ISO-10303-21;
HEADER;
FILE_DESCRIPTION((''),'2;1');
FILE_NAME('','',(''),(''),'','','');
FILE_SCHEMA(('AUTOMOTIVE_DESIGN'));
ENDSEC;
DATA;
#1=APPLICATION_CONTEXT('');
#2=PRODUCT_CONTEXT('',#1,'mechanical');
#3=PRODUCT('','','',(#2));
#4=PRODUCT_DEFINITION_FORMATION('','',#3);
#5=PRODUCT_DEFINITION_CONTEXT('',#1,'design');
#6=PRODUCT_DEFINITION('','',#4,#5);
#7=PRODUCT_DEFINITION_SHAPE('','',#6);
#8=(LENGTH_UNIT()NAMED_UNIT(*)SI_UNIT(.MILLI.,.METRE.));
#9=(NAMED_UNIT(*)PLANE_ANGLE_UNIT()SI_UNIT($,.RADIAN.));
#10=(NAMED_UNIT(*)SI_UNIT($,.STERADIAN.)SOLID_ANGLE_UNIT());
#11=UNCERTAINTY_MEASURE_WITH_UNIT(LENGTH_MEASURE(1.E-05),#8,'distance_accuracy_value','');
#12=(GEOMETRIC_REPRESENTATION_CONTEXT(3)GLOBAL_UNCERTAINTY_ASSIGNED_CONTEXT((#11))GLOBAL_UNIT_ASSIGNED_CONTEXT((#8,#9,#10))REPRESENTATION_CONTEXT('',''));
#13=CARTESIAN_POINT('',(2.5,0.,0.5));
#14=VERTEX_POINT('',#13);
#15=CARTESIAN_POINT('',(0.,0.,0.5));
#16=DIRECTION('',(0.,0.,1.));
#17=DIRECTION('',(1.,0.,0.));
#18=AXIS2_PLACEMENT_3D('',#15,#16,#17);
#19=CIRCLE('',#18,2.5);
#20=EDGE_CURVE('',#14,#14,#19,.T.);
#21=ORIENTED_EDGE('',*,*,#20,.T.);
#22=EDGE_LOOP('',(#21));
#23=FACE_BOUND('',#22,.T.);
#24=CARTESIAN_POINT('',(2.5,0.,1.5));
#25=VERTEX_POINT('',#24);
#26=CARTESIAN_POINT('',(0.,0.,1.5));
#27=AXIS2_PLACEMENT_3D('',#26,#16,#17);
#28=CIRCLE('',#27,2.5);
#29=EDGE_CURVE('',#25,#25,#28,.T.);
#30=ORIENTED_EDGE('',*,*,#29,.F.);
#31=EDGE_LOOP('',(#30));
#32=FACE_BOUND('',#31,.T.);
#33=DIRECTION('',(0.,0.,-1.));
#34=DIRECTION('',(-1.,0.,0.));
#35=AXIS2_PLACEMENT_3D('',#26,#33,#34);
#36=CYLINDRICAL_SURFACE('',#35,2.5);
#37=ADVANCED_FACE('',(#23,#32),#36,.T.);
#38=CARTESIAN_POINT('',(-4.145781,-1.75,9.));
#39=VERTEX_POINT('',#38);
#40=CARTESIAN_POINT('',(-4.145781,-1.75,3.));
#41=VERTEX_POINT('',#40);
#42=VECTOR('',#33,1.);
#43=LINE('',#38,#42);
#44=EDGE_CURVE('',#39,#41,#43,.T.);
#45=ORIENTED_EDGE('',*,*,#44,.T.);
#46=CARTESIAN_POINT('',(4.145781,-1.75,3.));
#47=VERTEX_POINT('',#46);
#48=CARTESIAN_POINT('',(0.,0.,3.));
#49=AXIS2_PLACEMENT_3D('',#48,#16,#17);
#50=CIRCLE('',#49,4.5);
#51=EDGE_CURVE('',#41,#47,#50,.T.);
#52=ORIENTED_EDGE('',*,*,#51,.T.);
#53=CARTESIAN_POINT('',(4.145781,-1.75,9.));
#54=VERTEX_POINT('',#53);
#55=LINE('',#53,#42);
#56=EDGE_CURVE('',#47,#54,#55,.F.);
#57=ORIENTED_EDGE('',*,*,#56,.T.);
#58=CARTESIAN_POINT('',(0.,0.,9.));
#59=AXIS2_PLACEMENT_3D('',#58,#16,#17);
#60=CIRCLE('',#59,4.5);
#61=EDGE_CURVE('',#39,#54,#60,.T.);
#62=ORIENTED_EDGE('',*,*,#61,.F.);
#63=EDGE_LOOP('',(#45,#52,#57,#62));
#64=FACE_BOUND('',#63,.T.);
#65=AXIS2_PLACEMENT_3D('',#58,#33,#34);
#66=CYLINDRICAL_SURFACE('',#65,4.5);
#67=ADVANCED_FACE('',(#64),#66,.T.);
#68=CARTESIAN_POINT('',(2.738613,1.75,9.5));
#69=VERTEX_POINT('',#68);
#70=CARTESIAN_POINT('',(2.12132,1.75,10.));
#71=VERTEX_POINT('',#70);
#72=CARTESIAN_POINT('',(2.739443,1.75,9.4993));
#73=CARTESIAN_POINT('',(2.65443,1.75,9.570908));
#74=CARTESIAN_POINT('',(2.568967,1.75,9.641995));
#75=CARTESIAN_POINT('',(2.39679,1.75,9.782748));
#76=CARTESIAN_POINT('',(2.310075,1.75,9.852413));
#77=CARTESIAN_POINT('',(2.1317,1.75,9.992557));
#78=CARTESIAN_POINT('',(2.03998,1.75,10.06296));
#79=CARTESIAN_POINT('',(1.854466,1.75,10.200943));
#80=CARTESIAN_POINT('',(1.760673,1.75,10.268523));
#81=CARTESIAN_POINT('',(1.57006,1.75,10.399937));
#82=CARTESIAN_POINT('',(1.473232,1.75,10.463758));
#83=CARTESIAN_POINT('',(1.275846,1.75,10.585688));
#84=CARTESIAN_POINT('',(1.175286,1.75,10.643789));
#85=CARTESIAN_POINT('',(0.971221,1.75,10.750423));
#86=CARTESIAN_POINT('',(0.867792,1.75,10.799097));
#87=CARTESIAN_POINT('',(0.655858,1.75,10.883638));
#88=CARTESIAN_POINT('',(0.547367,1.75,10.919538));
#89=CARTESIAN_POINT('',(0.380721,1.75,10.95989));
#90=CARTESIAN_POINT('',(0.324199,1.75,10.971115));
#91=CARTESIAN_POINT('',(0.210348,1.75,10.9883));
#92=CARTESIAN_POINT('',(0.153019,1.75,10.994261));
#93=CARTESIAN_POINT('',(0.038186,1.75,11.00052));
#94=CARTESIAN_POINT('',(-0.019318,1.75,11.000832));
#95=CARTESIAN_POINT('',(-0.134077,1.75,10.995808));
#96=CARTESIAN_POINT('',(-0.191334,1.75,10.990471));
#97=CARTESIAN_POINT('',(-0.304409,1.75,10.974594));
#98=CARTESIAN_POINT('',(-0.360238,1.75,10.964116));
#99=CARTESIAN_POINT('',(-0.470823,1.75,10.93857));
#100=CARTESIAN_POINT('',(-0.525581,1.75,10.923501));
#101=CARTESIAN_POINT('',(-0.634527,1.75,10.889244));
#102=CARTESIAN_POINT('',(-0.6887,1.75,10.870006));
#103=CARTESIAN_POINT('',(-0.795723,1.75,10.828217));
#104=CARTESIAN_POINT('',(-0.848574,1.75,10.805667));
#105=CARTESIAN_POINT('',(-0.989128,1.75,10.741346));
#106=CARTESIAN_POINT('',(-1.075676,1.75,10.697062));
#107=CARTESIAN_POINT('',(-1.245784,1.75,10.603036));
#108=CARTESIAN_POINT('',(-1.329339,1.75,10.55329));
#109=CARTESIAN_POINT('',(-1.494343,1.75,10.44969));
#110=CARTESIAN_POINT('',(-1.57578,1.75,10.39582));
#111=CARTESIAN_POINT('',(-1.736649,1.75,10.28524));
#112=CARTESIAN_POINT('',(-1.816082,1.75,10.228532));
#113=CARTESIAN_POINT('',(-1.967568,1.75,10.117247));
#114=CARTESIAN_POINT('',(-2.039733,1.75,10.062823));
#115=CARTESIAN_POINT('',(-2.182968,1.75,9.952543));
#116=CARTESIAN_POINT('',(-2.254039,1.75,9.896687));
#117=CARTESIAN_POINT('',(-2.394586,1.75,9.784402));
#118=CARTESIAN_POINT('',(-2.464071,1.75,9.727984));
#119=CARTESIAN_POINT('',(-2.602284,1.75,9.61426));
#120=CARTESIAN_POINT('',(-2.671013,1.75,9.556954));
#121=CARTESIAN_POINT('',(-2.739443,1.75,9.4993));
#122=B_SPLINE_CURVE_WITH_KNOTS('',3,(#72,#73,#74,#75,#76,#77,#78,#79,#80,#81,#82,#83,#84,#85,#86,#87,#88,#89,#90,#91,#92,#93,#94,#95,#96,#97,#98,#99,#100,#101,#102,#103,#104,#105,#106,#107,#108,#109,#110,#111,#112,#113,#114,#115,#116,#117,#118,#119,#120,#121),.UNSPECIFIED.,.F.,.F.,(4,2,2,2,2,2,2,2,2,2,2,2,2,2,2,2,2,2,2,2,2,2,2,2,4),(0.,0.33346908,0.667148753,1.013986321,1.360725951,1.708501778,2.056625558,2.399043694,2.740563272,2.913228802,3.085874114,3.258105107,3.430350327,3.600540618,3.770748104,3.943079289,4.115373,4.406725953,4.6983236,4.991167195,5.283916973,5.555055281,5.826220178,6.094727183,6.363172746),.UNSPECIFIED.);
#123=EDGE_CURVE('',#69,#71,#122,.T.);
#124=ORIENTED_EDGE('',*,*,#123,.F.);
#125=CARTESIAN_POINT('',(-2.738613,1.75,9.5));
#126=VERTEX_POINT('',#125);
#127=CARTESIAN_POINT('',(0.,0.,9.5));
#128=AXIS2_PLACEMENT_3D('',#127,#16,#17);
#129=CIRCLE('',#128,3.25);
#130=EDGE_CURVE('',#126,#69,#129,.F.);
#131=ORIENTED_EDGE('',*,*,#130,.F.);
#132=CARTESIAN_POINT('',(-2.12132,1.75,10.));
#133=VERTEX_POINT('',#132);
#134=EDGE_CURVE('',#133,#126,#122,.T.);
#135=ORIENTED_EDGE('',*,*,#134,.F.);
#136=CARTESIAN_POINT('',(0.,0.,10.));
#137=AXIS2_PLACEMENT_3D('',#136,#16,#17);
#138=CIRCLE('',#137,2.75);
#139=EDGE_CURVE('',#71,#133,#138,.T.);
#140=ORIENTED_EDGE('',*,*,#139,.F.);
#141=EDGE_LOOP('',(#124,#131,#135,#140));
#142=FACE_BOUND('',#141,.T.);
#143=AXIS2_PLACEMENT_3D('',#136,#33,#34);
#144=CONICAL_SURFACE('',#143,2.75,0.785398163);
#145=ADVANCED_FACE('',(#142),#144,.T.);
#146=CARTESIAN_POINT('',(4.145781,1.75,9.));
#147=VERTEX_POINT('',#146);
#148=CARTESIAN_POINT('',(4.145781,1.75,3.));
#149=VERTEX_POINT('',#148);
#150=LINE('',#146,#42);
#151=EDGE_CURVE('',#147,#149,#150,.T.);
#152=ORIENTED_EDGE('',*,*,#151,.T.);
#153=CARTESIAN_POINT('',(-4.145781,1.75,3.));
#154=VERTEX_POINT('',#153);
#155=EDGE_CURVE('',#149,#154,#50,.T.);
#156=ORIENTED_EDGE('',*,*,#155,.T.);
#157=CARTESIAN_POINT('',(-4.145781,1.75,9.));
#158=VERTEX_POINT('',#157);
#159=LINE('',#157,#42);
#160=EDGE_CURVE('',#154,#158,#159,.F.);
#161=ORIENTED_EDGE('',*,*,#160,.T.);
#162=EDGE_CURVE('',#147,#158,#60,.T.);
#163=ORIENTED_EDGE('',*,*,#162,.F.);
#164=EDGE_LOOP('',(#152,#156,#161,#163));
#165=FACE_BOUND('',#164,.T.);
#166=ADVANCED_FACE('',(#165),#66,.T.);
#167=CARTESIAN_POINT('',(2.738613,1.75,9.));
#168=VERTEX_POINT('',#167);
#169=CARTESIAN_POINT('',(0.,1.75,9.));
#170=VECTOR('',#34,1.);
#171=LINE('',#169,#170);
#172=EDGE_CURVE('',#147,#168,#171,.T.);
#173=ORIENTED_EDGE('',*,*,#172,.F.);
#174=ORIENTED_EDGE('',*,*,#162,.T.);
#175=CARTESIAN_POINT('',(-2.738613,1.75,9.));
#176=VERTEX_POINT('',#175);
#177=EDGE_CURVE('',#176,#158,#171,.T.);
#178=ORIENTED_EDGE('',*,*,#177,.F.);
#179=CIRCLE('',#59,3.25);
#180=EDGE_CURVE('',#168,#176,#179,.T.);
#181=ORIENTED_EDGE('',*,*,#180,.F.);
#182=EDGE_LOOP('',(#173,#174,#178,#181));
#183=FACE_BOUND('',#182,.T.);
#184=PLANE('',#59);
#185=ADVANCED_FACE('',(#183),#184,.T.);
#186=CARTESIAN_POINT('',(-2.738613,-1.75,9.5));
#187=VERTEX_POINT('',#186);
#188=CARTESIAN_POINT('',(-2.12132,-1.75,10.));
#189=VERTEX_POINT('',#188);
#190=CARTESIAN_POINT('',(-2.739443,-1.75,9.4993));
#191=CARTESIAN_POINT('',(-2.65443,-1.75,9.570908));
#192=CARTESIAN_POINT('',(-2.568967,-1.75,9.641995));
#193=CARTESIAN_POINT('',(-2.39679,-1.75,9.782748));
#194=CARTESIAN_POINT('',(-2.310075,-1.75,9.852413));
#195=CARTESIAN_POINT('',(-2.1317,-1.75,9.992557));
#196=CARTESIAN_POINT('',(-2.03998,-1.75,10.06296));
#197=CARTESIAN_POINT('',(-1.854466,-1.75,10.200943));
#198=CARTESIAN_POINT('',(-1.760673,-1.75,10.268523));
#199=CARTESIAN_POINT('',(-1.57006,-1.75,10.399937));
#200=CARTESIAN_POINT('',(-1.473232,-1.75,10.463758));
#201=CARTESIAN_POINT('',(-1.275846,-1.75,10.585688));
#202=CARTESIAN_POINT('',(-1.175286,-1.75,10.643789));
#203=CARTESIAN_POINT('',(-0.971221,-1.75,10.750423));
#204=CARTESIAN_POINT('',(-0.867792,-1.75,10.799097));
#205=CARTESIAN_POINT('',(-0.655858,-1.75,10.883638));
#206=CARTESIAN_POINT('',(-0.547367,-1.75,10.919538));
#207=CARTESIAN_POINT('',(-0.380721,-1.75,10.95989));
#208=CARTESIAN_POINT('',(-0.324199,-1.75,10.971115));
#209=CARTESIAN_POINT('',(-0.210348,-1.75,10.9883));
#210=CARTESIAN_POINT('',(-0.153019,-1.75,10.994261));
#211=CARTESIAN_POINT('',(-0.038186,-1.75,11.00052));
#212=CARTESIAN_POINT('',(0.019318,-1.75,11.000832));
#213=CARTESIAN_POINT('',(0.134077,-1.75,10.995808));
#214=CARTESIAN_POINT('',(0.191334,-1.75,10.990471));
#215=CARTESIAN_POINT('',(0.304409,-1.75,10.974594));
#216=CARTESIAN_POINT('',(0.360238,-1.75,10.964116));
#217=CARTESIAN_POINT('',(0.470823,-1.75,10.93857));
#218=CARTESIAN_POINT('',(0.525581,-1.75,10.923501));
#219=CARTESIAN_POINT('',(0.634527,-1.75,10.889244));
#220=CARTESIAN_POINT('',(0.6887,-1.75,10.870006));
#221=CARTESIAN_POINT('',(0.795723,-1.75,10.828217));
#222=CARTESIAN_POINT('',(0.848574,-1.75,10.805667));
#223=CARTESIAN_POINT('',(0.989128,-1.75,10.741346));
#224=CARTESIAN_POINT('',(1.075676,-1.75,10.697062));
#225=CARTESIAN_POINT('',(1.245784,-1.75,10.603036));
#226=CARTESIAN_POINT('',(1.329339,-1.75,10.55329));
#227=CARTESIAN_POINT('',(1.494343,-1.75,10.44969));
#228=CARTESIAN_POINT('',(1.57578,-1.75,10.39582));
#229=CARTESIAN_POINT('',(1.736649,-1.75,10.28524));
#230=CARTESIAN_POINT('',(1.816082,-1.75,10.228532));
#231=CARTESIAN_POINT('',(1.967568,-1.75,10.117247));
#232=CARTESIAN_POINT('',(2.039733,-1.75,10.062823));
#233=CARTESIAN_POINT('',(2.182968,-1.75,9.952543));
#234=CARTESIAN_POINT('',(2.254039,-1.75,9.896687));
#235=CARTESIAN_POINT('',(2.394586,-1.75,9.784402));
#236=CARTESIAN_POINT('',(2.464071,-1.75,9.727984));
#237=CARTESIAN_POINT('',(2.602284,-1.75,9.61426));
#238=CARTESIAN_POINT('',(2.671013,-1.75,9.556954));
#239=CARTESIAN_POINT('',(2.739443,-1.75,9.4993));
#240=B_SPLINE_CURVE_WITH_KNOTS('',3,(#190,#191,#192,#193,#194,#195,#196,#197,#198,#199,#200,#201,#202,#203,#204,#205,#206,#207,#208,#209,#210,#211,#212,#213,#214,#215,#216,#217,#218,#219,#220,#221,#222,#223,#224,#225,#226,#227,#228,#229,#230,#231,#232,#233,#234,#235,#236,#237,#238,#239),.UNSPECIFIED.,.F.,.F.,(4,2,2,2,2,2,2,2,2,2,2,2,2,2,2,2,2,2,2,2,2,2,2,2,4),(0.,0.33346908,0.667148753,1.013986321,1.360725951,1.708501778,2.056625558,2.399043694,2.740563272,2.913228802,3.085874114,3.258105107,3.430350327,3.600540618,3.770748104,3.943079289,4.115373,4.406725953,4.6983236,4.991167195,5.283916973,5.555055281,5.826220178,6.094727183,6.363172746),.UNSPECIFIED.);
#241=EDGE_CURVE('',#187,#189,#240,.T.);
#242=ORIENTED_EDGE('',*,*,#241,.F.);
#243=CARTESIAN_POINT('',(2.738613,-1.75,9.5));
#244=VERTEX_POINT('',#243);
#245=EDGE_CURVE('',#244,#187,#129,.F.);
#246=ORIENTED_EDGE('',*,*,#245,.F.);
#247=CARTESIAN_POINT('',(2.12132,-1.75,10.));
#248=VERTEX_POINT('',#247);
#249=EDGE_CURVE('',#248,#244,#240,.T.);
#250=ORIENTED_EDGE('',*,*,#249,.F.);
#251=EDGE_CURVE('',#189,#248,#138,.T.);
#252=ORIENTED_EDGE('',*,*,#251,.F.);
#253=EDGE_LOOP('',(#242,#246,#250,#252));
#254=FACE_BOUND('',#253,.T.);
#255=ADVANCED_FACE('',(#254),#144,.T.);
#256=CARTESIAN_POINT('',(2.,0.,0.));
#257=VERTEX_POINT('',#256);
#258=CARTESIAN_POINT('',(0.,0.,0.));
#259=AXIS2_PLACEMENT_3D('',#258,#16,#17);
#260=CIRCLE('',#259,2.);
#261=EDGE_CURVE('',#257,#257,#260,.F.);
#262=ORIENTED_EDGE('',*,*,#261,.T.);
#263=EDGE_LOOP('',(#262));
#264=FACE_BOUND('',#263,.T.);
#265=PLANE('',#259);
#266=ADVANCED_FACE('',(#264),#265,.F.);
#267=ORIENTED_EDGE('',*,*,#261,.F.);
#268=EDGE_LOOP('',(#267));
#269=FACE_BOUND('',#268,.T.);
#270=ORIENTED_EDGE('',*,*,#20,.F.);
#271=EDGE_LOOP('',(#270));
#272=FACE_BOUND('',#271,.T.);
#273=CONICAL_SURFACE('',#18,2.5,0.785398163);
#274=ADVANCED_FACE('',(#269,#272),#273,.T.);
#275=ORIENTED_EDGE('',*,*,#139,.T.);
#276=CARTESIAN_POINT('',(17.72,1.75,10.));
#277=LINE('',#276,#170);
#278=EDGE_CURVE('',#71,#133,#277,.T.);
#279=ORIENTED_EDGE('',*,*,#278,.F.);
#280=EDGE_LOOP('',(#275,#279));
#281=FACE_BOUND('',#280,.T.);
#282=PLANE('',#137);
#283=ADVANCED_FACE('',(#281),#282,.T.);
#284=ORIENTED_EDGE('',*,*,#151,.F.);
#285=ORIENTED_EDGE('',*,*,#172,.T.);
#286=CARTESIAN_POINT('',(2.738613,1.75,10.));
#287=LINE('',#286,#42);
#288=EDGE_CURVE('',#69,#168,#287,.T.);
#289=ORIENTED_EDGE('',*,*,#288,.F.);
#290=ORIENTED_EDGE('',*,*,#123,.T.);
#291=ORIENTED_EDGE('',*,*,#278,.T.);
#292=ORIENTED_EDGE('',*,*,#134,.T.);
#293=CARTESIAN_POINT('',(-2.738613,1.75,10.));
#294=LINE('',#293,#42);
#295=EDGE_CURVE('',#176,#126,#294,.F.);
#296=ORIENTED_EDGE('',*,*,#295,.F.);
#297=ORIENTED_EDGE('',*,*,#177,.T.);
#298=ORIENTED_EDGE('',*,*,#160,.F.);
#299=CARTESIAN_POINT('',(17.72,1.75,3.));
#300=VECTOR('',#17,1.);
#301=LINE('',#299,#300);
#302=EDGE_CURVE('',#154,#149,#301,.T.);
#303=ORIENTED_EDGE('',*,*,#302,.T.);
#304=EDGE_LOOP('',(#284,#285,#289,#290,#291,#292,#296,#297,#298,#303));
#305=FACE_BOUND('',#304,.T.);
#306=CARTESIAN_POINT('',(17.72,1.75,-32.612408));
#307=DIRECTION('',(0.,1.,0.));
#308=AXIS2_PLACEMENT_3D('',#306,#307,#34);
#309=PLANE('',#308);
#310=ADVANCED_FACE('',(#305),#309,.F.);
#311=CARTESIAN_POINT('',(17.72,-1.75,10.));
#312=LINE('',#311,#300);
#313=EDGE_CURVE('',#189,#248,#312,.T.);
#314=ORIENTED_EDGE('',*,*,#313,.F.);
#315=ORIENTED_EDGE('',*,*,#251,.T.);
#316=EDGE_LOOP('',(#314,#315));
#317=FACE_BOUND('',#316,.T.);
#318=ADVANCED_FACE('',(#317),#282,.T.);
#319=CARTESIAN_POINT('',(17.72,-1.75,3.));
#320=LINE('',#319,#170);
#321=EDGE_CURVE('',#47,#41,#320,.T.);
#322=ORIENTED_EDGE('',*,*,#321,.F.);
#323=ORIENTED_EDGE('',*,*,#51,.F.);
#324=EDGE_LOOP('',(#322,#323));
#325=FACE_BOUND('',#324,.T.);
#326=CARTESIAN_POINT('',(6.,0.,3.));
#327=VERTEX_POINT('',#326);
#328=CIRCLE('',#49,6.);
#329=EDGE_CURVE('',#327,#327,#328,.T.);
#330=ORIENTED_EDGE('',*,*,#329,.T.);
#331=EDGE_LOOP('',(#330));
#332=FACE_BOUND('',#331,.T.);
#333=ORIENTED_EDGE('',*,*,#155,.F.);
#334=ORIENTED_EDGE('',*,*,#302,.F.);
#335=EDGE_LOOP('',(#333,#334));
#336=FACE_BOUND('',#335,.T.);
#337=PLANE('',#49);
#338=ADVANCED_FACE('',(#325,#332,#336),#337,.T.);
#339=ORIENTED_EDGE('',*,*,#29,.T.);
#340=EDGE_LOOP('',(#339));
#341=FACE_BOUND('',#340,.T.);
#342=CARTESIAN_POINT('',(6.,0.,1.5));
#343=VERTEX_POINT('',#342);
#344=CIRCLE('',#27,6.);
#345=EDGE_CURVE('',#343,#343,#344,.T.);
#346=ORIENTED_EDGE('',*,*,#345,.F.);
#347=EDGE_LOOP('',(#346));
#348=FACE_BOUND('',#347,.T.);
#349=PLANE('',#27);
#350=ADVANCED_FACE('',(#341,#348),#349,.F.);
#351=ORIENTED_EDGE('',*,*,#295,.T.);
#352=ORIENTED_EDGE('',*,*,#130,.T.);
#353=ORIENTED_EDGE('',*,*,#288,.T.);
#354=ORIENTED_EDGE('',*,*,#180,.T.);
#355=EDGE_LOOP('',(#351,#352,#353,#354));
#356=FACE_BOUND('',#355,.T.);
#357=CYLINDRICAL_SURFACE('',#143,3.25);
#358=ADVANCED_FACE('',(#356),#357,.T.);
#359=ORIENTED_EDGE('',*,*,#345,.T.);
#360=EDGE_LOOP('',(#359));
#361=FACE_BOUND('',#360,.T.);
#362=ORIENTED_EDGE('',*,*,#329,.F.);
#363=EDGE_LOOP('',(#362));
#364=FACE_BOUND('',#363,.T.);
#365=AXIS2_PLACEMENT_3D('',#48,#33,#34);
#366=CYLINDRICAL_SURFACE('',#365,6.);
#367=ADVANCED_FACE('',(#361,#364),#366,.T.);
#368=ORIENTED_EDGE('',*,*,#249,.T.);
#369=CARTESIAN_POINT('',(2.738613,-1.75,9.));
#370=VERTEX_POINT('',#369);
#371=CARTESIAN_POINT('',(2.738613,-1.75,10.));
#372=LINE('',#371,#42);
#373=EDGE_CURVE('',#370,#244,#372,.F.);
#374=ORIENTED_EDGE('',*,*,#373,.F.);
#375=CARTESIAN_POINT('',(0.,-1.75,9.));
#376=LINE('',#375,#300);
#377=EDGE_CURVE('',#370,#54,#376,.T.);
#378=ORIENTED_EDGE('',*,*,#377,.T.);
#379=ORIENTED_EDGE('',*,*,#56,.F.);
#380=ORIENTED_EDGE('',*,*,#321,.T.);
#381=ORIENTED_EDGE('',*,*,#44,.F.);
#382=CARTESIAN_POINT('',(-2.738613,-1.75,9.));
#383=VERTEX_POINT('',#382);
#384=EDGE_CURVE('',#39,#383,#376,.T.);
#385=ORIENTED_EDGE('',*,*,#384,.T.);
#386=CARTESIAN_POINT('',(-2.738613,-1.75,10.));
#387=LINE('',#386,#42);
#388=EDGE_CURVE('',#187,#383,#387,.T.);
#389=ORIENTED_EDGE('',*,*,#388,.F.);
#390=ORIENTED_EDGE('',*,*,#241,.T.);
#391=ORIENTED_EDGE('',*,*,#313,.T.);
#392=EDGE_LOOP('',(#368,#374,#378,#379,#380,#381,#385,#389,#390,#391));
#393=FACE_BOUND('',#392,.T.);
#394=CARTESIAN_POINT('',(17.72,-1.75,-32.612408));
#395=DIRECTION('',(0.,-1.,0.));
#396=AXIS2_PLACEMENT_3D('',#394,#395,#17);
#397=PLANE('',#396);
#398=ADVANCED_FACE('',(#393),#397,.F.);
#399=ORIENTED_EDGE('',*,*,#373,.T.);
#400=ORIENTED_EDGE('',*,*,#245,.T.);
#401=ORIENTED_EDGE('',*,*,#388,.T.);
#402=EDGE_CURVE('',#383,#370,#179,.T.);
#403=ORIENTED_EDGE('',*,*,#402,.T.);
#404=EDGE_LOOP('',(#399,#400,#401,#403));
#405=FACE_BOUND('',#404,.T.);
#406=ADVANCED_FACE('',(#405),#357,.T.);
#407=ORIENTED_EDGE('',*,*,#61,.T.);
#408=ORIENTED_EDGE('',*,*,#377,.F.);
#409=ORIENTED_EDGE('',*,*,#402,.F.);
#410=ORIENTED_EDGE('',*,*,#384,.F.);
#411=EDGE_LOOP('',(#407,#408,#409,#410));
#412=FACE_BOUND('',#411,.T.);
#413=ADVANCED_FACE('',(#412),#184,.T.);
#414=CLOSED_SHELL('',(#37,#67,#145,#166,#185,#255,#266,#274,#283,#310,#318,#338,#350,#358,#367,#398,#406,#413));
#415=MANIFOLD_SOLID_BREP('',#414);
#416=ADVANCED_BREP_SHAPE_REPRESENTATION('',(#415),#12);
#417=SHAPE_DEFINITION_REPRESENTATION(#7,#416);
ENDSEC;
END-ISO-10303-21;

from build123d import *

# Parameters (mm, degrees)
SKETCH_1_R          = 2.5
EXTRUDE_1_DEPTH     = 1.5
SKETCH_3_R          = 6
EXTRUDE_2_DEPTH     = 1.5
SKETCH_4_R          = 4.5
EXTRUDE_3_DEPTH     = 6
SKETCH_5_R          = 3.25
EXTRUDE_4_DEPTH     = 1
CHAMFER_1_SIZE      = 0.5
CUT_EXTRUDE_1_REACH = 15.115
SKETCH_6_W          = 35.44
SKETCH_6_H          = 3.5


with BuildPart() as part:
    # 草图1 → 凸台-拉伸1 (new body)
    with BuildSketch(Plane.XY):
        Circle(SKETCH_1_R)
    extrude(amount=EXTRUDE_1_DEPTH)

    # 草图3 → 凸台-拉伸2 (add)
    with BuildSketch(Plane.XY.offset(1.5)):
        Circle(SKETCH_3_R)
    extrude(amount=EXTRUDE_2_DEPTH)

    # 草图4 → 凸台-拉伸3 (add)
    with BuildSketch(Plane.XY.offset(3)):
        Circle(SKETCH_4_R)
    extrude(amount=EXTRUDE_3_DEPTH)

    # 草图5 → 凸台-拉伸4 (add)
    with BuildSketch(Plane.XY.offset(9)):
        Circle(SKETCH_5_R)
    extrude(amount=EXTRUDE_4_DEPTH)

    # 倒角1
    chamfer_1_edges = [part.edges().sort_by_distance(p)[0] for p in [
        (-3.25, 0, 10),
        (-2.5, 0, 0),
    ]]
    chamfer(chamfer_1_edges, length=CHAMFER_1_SIZE)

    # 切除-拉伸1: up to this face of the body (flat: up to its plane)
    cut_extrude_1_end = Plane(part.part.faces().sort_by_distance((-5.830294373, 0, 3))[0])
    # 草图6 → 切除-拉伸1 (cut, up to the picked face)
    with BuildSketch(Plane.XY.offset(10), mode=Mode.PRIVATE) as cut_extrude_1_sk1:
        Rectangle(SKETCH_6_W, SKETCH_6_H)
    cut_extrude_1_tool1 = split(extrude(cut_extrude_1_sk1.sketch, amount=-CUT_EXTRUDE_1_REACH, mode=Mode.PRIVATE), bisect_by=cut_extrude_1_end, keep=Keep.BOTH, mode=Mode.PRIVATE)
    add(cut_extrude_1_tool1.solids().sort_by(Axis((0, 0, 10), (0, 0, -1)))[0], mode=Mode.SUBTRACT)


solid = part.part
